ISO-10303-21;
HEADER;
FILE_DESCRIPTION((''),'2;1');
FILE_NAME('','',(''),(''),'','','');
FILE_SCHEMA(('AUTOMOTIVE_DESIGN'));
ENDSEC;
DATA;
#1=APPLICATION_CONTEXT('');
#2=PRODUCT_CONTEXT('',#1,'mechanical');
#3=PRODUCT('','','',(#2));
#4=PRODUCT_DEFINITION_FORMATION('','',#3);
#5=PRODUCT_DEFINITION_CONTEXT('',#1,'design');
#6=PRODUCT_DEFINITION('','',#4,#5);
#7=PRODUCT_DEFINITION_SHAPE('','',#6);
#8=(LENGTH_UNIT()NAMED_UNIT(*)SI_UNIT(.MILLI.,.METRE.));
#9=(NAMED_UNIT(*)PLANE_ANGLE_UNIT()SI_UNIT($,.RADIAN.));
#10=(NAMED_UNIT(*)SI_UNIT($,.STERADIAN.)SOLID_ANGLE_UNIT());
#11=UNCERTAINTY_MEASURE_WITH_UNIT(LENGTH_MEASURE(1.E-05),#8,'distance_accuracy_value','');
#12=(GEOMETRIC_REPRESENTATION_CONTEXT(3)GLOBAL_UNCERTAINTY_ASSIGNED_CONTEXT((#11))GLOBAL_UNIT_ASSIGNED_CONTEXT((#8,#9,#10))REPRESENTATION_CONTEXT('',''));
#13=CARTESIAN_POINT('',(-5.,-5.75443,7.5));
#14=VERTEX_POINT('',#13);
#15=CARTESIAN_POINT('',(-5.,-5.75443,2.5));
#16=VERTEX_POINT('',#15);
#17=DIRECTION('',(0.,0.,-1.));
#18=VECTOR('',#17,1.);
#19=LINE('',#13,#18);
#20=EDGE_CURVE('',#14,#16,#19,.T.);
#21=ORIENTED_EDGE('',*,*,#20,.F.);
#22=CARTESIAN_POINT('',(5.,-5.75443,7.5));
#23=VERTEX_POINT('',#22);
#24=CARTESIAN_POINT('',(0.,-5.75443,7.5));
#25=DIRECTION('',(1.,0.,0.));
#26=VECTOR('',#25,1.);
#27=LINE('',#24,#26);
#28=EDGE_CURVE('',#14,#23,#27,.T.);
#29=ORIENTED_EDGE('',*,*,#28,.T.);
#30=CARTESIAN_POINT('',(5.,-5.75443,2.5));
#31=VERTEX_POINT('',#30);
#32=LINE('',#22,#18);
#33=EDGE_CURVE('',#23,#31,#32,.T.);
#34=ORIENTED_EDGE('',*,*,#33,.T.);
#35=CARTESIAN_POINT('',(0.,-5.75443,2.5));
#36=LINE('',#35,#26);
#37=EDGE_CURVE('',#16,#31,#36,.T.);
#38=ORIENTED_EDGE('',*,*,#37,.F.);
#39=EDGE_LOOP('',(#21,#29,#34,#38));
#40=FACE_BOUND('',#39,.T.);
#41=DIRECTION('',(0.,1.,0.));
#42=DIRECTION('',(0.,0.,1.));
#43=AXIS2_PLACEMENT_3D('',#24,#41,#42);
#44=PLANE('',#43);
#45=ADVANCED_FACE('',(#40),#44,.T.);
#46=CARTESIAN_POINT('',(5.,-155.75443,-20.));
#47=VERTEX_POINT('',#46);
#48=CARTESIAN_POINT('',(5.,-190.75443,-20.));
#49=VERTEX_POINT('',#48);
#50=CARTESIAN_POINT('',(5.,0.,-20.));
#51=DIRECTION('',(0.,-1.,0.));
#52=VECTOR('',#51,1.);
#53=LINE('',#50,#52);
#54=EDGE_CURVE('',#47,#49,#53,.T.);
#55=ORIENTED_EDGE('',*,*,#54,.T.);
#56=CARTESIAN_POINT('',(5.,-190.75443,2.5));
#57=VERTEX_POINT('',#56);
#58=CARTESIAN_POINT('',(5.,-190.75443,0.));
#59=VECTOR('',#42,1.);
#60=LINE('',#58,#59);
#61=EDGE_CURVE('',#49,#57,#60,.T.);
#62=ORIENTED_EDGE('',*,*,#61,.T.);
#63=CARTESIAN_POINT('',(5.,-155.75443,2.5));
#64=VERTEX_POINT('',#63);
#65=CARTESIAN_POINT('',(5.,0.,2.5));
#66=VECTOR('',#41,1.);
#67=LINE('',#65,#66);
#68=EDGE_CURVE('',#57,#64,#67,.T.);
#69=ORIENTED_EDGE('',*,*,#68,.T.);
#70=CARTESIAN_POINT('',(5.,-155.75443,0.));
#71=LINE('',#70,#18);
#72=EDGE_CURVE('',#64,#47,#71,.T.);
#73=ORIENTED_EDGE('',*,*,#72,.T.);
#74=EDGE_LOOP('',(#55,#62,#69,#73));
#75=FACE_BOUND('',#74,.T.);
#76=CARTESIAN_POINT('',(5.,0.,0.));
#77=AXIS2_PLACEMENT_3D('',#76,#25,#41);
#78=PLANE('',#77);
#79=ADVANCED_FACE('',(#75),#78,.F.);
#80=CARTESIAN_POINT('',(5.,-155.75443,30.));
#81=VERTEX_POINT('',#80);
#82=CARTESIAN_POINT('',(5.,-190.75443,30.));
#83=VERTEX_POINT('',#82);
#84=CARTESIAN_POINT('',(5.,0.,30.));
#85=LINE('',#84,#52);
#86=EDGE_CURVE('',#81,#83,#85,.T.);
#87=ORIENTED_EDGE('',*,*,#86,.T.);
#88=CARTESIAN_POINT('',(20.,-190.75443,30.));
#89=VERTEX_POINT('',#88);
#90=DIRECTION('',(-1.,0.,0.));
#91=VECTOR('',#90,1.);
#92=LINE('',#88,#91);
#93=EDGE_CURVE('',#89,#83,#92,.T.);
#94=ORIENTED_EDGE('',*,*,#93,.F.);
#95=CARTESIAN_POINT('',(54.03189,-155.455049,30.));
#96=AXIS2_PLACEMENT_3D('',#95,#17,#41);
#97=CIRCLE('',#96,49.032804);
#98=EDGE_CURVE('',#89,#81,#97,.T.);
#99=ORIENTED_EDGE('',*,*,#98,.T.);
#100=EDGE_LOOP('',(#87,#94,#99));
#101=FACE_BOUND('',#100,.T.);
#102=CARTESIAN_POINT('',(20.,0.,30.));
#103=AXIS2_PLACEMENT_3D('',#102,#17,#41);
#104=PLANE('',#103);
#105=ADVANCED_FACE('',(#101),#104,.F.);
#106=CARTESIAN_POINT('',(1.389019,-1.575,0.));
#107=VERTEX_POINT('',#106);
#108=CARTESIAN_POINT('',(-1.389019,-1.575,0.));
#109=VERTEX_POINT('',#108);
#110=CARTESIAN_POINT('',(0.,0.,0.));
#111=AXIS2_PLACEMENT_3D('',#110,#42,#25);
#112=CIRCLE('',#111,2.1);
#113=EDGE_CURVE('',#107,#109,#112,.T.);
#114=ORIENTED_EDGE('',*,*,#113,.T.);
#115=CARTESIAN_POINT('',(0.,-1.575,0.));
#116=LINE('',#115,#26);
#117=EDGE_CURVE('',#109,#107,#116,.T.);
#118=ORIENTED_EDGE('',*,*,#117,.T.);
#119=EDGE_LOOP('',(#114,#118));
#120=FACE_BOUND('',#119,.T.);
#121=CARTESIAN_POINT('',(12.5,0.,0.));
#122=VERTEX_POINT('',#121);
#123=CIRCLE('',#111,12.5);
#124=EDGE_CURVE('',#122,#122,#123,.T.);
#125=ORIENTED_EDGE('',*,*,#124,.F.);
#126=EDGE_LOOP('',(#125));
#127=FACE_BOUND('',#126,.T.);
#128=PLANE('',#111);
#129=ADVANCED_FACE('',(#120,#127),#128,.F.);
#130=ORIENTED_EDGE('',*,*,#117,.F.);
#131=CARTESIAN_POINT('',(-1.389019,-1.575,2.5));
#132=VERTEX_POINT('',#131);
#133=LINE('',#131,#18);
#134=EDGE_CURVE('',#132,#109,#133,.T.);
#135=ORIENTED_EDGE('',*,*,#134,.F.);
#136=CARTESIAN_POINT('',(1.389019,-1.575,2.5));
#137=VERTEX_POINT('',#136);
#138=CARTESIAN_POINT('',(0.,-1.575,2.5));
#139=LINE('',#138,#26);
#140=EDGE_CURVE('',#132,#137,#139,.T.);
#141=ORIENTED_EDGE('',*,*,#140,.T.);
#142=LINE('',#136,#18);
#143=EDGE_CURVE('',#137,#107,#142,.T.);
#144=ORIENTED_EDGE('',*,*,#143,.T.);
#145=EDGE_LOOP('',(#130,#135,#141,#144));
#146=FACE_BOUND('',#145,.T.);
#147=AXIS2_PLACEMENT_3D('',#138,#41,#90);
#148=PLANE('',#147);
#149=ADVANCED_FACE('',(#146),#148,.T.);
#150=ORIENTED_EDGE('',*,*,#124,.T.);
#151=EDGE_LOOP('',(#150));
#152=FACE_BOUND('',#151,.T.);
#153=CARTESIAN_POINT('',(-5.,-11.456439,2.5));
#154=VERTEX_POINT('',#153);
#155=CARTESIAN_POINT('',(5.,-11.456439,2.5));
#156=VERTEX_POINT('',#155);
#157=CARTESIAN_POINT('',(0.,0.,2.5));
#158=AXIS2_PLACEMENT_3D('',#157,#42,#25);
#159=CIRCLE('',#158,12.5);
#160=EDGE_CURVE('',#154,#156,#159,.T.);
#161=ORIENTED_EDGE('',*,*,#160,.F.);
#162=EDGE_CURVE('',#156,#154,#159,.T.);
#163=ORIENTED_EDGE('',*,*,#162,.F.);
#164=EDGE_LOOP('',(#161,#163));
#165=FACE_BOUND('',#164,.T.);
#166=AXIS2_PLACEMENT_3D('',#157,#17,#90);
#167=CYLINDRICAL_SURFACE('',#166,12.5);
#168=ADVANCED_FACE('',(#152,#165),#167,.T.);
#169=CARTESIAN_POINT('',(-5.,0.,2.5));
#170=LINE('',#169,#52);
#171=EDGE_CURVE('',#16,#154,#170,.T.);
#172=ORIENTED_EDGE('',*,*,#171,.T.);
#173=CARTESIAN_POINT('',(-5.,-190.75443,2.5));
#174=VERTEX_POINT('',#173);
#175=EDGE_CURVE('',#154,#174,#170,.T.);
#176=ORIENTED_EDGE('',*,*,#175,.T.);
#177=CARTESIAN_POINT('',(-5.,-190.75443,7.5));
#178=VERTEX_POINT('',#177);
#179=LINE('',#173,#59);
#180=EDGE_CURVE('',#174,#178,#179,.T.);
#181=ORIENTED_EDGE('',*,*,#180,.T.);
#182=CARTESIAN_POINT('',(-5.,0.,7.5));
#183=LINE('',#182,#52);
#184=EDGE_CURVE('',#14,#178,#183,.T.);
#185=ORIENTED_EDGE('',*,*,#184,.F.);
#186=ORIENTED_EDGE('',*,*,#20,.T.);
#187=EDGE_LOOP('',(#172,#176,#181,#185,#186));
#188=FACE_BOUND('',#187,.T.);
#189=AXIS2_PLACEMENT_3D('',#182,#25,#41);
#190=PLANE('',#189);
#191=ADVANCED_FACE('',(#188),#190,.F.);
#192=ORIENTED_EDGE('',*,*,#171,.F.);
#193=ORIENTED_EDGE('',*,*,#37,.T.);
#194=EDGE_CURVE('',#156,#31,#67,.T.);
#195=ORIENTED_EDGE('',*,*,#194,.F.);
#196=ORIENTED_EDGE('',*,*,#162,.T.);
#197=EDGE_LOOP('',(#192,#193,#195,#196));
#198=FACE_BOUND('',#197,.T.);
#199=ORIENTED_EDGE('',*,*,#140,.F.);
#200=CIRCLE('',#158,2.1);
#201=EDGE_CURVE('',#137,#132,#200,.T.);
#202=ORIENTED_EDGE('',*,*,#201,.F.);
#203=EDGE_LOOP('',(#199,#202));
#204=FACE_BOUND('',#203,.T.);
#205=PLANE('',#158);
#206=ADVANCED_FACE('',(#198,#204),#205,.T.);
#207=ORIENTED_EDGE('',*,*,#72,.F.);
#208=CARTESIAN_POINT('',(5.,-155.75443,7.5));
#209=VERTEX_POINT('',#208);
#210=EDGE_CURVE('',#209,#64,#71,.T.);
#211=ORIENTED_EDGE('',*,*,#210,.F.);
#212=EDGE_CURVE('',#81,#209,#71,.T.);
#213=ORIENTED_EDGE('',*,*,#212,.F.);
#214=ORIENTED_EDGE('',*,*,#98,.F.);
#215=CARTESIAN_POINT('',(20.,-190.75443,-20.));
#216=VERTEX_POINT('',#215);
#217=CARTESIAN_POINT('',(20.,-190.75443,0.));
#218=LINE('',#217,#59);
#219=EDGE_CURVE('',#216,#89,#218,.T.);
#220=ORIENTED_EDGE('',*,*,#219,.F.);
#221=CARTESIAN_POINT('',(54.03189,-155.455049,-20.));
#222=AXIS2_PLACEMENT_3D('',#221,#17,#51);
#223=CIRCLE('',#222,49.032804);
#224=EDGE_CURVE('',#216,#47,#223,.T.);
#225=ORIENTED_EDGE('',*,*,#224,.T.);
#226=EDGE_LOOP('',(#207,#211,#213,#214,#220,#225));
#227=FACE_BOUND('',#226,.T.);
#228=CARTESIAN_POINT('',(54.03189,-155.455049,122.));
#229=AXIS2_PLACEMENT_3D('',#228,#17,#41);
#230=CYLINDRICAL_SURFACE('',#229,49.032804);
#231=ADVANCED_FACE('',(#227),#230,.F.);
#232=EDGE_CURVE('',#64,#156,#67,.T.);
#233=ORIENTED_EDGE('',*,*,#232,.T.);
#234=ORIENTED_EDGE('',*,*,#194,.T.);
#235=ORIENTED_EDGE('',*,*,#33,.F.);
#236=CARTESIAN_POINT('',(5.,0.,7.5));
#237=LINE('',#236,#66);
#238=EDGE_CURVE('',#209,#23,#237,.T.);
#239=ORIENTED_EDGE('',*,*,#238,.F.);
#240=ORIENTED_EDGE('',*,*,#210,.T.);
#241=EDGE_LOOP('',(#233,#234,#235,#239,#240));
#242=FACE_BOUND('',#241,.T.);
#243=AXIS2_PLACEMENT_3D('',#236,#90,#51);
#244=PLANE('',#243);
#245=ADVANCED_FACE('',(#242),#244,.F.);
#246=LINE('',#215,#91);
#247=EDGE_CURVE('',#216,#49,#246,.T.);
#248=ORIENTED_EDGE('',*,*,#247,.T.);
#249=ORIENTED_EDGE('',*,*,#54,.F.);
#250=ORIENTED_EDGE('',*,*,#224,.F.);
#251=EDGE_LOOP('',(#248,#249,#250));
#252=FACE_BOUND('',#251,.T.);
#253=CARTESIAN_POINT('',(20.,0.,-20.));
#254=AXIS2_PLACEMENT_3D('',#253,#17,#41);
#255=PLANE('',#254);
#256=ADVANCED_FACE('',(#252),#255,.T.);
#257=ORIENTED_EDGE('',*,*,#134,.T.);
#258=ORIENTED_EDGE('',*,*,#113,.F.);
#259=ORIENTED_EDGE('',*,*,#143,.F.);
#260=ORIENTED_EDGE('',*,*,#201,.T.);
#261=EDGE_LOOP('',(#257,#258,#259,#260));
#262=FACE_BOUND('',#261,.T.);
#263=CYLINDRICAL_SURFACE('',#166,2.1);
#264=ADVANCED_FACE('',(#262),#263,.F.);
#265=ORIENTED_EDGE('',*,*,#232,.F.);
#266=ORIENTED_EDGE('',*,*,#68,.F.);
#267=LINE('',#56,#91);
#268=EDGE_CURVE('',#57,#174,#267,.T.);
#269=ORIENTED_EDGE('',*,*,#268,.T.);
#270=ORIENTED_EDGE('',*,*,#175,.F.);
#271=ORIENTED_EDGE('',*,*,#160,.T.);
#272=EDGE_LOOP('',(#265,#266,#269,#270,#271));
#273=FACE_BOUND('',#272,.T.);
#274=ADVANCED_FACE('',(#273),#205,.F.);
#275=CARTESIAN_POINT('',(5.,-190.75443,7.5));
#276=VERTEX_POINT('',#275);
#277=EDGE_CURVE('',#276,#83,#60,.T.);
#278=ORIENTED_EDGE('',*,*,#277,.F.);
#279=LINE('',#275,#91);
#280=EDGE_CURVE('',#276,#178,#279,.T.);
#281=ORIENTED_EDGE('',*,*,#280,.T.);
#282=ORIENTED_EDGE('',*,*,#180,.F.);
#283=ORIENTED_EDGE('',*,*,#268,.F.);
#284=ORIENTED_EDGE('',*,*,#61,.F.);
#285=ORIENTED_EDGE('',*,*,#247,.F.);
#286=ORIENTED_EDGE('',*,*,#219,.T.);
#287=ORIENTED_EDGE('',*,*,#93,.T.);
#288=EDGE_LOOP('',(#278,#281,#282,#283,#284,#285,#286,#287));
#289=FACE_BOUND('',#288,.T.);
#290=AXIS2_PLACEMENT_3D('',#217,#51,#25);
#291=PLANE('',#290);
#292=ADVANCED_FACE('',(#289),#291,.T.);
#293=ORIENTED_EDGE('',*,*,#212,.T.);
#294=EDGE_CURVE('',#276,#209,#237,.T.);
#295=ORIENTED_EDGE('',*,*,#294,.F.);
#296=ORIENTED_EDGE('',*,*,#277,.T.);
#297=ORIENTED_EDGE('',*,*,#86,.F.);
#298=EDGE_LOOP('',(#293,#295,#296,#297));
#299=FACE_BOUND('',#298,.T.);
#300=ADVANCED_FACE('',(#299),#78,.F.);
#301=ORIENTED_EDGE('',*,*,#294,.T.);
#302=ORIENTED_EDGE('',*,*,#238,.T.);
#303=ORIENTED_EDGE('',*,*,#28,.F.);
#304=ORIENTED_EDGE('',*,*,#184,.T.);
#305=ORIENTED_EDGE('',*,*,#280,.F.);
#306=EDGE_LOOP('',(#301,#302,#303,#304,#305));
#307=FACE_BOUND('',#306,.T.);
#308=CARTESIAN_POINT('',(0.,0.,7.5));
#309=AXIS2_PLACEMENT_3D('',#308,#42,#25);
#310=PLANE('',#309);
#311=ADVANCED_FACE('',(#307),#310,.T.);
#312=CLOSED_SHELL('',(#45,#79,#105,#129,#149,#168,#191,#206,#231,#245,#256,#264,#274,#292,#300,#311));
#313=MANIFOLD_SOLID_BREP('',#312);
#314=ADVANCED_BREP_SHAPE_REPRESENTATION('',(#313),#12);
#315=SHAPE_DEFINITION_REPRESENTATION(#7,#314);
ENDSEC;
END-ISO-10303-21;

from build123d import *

# Parameters (mm, degrees)
SKETCH2_R           = 12.5
BOSS_EXTRUDE1_DEPTH = 2.5
BOSS_EXTRUDE2_DEPTH = 5
BOSS_EXTRUDE3_DEPTH = 15
SKETCH9_W           = 5
SKETCH9_H           = 25
BOSS_EXTRUDE4_DEPTH = 10
CUT_EXTRUDE1_DEPTH  = 142


with BuildPart() as part:
    # Sketch2 → Boss-Extrude1 (new body)
    with BuildSketch(Plane.XY):
        Circle(SKETCH2_R)
        with BuildLine():
            ThreePointArc((1.389019438, -1.575), (0, 2.1), (-1.389019438, -1.575))
            Line((-1.389019438, -1.575), (0, -1.575))
            Line((0, -1.575), (1.389019438, -1.575))
        make_face(mode=Mode.SUBTRACT)
    extrude(amount=BOSS_EXTRUDE1_DEPTH)

    # Sketch4 → Boss-Extrude2 (add)
    with BuildSketch(Plane.XY.offset(2.5)):
        Polygon((-5, -165.75443039), (5, -165.75443039), (5, -5.75443039), (0, -5.75443039), (-5, -5.75443039), align=None)
    extrude(amount=BOSS_EXTRUDE2_DEPTH)

    # Sketch5 → Boss-Extrude3 (add)
    with BuildSketch(Plane(origin=(5, 0, 0), x_dir=(0, 0, -1), z_dir=(1, 0, 0))):
        Polygon((20, -155.75443039), (-5, -155.75443039), (-30, -155.75443039), (-30, -190.75443039), (-5, -190.75443039), (20, -190.75443039), align=None)
    extrude(amount=BOSS_EXTRUDE3_DEPTH)

    # Sketch9 → Boss-Extrude4 (add)
    with BuildSketch(Plane.ZY.offset(5)):
        with Locations((5, -178.25443039)):
            Rectangle(SKETCH9_W, SKETCH9_H)
    extrude(amount=-BOSS_EXTRUDE4_DEPTH)

    # Sketch6 → Cut-Extrude1 (cut)
    with BuildSketch(Plane(origin=(0, 0, -20), x_dir=(-1, 0, 0), z_dir=(0, 0, -1))):
        with BuildLine():
            Line((-5, -155.75443039), (-20, -155.75443039))
            Line((-20, -155.75443039), (-20, -190.75443039))
            ThreePointArc((-20, -190.75443039), (-8.963631912, -174.770016714), (-5, -155.75443039))
        make_face()
    extrude(amount=-CUT_EXTRUDE1_DEPTH, mode=Mode.SUBTRACT)


solid = part.part
